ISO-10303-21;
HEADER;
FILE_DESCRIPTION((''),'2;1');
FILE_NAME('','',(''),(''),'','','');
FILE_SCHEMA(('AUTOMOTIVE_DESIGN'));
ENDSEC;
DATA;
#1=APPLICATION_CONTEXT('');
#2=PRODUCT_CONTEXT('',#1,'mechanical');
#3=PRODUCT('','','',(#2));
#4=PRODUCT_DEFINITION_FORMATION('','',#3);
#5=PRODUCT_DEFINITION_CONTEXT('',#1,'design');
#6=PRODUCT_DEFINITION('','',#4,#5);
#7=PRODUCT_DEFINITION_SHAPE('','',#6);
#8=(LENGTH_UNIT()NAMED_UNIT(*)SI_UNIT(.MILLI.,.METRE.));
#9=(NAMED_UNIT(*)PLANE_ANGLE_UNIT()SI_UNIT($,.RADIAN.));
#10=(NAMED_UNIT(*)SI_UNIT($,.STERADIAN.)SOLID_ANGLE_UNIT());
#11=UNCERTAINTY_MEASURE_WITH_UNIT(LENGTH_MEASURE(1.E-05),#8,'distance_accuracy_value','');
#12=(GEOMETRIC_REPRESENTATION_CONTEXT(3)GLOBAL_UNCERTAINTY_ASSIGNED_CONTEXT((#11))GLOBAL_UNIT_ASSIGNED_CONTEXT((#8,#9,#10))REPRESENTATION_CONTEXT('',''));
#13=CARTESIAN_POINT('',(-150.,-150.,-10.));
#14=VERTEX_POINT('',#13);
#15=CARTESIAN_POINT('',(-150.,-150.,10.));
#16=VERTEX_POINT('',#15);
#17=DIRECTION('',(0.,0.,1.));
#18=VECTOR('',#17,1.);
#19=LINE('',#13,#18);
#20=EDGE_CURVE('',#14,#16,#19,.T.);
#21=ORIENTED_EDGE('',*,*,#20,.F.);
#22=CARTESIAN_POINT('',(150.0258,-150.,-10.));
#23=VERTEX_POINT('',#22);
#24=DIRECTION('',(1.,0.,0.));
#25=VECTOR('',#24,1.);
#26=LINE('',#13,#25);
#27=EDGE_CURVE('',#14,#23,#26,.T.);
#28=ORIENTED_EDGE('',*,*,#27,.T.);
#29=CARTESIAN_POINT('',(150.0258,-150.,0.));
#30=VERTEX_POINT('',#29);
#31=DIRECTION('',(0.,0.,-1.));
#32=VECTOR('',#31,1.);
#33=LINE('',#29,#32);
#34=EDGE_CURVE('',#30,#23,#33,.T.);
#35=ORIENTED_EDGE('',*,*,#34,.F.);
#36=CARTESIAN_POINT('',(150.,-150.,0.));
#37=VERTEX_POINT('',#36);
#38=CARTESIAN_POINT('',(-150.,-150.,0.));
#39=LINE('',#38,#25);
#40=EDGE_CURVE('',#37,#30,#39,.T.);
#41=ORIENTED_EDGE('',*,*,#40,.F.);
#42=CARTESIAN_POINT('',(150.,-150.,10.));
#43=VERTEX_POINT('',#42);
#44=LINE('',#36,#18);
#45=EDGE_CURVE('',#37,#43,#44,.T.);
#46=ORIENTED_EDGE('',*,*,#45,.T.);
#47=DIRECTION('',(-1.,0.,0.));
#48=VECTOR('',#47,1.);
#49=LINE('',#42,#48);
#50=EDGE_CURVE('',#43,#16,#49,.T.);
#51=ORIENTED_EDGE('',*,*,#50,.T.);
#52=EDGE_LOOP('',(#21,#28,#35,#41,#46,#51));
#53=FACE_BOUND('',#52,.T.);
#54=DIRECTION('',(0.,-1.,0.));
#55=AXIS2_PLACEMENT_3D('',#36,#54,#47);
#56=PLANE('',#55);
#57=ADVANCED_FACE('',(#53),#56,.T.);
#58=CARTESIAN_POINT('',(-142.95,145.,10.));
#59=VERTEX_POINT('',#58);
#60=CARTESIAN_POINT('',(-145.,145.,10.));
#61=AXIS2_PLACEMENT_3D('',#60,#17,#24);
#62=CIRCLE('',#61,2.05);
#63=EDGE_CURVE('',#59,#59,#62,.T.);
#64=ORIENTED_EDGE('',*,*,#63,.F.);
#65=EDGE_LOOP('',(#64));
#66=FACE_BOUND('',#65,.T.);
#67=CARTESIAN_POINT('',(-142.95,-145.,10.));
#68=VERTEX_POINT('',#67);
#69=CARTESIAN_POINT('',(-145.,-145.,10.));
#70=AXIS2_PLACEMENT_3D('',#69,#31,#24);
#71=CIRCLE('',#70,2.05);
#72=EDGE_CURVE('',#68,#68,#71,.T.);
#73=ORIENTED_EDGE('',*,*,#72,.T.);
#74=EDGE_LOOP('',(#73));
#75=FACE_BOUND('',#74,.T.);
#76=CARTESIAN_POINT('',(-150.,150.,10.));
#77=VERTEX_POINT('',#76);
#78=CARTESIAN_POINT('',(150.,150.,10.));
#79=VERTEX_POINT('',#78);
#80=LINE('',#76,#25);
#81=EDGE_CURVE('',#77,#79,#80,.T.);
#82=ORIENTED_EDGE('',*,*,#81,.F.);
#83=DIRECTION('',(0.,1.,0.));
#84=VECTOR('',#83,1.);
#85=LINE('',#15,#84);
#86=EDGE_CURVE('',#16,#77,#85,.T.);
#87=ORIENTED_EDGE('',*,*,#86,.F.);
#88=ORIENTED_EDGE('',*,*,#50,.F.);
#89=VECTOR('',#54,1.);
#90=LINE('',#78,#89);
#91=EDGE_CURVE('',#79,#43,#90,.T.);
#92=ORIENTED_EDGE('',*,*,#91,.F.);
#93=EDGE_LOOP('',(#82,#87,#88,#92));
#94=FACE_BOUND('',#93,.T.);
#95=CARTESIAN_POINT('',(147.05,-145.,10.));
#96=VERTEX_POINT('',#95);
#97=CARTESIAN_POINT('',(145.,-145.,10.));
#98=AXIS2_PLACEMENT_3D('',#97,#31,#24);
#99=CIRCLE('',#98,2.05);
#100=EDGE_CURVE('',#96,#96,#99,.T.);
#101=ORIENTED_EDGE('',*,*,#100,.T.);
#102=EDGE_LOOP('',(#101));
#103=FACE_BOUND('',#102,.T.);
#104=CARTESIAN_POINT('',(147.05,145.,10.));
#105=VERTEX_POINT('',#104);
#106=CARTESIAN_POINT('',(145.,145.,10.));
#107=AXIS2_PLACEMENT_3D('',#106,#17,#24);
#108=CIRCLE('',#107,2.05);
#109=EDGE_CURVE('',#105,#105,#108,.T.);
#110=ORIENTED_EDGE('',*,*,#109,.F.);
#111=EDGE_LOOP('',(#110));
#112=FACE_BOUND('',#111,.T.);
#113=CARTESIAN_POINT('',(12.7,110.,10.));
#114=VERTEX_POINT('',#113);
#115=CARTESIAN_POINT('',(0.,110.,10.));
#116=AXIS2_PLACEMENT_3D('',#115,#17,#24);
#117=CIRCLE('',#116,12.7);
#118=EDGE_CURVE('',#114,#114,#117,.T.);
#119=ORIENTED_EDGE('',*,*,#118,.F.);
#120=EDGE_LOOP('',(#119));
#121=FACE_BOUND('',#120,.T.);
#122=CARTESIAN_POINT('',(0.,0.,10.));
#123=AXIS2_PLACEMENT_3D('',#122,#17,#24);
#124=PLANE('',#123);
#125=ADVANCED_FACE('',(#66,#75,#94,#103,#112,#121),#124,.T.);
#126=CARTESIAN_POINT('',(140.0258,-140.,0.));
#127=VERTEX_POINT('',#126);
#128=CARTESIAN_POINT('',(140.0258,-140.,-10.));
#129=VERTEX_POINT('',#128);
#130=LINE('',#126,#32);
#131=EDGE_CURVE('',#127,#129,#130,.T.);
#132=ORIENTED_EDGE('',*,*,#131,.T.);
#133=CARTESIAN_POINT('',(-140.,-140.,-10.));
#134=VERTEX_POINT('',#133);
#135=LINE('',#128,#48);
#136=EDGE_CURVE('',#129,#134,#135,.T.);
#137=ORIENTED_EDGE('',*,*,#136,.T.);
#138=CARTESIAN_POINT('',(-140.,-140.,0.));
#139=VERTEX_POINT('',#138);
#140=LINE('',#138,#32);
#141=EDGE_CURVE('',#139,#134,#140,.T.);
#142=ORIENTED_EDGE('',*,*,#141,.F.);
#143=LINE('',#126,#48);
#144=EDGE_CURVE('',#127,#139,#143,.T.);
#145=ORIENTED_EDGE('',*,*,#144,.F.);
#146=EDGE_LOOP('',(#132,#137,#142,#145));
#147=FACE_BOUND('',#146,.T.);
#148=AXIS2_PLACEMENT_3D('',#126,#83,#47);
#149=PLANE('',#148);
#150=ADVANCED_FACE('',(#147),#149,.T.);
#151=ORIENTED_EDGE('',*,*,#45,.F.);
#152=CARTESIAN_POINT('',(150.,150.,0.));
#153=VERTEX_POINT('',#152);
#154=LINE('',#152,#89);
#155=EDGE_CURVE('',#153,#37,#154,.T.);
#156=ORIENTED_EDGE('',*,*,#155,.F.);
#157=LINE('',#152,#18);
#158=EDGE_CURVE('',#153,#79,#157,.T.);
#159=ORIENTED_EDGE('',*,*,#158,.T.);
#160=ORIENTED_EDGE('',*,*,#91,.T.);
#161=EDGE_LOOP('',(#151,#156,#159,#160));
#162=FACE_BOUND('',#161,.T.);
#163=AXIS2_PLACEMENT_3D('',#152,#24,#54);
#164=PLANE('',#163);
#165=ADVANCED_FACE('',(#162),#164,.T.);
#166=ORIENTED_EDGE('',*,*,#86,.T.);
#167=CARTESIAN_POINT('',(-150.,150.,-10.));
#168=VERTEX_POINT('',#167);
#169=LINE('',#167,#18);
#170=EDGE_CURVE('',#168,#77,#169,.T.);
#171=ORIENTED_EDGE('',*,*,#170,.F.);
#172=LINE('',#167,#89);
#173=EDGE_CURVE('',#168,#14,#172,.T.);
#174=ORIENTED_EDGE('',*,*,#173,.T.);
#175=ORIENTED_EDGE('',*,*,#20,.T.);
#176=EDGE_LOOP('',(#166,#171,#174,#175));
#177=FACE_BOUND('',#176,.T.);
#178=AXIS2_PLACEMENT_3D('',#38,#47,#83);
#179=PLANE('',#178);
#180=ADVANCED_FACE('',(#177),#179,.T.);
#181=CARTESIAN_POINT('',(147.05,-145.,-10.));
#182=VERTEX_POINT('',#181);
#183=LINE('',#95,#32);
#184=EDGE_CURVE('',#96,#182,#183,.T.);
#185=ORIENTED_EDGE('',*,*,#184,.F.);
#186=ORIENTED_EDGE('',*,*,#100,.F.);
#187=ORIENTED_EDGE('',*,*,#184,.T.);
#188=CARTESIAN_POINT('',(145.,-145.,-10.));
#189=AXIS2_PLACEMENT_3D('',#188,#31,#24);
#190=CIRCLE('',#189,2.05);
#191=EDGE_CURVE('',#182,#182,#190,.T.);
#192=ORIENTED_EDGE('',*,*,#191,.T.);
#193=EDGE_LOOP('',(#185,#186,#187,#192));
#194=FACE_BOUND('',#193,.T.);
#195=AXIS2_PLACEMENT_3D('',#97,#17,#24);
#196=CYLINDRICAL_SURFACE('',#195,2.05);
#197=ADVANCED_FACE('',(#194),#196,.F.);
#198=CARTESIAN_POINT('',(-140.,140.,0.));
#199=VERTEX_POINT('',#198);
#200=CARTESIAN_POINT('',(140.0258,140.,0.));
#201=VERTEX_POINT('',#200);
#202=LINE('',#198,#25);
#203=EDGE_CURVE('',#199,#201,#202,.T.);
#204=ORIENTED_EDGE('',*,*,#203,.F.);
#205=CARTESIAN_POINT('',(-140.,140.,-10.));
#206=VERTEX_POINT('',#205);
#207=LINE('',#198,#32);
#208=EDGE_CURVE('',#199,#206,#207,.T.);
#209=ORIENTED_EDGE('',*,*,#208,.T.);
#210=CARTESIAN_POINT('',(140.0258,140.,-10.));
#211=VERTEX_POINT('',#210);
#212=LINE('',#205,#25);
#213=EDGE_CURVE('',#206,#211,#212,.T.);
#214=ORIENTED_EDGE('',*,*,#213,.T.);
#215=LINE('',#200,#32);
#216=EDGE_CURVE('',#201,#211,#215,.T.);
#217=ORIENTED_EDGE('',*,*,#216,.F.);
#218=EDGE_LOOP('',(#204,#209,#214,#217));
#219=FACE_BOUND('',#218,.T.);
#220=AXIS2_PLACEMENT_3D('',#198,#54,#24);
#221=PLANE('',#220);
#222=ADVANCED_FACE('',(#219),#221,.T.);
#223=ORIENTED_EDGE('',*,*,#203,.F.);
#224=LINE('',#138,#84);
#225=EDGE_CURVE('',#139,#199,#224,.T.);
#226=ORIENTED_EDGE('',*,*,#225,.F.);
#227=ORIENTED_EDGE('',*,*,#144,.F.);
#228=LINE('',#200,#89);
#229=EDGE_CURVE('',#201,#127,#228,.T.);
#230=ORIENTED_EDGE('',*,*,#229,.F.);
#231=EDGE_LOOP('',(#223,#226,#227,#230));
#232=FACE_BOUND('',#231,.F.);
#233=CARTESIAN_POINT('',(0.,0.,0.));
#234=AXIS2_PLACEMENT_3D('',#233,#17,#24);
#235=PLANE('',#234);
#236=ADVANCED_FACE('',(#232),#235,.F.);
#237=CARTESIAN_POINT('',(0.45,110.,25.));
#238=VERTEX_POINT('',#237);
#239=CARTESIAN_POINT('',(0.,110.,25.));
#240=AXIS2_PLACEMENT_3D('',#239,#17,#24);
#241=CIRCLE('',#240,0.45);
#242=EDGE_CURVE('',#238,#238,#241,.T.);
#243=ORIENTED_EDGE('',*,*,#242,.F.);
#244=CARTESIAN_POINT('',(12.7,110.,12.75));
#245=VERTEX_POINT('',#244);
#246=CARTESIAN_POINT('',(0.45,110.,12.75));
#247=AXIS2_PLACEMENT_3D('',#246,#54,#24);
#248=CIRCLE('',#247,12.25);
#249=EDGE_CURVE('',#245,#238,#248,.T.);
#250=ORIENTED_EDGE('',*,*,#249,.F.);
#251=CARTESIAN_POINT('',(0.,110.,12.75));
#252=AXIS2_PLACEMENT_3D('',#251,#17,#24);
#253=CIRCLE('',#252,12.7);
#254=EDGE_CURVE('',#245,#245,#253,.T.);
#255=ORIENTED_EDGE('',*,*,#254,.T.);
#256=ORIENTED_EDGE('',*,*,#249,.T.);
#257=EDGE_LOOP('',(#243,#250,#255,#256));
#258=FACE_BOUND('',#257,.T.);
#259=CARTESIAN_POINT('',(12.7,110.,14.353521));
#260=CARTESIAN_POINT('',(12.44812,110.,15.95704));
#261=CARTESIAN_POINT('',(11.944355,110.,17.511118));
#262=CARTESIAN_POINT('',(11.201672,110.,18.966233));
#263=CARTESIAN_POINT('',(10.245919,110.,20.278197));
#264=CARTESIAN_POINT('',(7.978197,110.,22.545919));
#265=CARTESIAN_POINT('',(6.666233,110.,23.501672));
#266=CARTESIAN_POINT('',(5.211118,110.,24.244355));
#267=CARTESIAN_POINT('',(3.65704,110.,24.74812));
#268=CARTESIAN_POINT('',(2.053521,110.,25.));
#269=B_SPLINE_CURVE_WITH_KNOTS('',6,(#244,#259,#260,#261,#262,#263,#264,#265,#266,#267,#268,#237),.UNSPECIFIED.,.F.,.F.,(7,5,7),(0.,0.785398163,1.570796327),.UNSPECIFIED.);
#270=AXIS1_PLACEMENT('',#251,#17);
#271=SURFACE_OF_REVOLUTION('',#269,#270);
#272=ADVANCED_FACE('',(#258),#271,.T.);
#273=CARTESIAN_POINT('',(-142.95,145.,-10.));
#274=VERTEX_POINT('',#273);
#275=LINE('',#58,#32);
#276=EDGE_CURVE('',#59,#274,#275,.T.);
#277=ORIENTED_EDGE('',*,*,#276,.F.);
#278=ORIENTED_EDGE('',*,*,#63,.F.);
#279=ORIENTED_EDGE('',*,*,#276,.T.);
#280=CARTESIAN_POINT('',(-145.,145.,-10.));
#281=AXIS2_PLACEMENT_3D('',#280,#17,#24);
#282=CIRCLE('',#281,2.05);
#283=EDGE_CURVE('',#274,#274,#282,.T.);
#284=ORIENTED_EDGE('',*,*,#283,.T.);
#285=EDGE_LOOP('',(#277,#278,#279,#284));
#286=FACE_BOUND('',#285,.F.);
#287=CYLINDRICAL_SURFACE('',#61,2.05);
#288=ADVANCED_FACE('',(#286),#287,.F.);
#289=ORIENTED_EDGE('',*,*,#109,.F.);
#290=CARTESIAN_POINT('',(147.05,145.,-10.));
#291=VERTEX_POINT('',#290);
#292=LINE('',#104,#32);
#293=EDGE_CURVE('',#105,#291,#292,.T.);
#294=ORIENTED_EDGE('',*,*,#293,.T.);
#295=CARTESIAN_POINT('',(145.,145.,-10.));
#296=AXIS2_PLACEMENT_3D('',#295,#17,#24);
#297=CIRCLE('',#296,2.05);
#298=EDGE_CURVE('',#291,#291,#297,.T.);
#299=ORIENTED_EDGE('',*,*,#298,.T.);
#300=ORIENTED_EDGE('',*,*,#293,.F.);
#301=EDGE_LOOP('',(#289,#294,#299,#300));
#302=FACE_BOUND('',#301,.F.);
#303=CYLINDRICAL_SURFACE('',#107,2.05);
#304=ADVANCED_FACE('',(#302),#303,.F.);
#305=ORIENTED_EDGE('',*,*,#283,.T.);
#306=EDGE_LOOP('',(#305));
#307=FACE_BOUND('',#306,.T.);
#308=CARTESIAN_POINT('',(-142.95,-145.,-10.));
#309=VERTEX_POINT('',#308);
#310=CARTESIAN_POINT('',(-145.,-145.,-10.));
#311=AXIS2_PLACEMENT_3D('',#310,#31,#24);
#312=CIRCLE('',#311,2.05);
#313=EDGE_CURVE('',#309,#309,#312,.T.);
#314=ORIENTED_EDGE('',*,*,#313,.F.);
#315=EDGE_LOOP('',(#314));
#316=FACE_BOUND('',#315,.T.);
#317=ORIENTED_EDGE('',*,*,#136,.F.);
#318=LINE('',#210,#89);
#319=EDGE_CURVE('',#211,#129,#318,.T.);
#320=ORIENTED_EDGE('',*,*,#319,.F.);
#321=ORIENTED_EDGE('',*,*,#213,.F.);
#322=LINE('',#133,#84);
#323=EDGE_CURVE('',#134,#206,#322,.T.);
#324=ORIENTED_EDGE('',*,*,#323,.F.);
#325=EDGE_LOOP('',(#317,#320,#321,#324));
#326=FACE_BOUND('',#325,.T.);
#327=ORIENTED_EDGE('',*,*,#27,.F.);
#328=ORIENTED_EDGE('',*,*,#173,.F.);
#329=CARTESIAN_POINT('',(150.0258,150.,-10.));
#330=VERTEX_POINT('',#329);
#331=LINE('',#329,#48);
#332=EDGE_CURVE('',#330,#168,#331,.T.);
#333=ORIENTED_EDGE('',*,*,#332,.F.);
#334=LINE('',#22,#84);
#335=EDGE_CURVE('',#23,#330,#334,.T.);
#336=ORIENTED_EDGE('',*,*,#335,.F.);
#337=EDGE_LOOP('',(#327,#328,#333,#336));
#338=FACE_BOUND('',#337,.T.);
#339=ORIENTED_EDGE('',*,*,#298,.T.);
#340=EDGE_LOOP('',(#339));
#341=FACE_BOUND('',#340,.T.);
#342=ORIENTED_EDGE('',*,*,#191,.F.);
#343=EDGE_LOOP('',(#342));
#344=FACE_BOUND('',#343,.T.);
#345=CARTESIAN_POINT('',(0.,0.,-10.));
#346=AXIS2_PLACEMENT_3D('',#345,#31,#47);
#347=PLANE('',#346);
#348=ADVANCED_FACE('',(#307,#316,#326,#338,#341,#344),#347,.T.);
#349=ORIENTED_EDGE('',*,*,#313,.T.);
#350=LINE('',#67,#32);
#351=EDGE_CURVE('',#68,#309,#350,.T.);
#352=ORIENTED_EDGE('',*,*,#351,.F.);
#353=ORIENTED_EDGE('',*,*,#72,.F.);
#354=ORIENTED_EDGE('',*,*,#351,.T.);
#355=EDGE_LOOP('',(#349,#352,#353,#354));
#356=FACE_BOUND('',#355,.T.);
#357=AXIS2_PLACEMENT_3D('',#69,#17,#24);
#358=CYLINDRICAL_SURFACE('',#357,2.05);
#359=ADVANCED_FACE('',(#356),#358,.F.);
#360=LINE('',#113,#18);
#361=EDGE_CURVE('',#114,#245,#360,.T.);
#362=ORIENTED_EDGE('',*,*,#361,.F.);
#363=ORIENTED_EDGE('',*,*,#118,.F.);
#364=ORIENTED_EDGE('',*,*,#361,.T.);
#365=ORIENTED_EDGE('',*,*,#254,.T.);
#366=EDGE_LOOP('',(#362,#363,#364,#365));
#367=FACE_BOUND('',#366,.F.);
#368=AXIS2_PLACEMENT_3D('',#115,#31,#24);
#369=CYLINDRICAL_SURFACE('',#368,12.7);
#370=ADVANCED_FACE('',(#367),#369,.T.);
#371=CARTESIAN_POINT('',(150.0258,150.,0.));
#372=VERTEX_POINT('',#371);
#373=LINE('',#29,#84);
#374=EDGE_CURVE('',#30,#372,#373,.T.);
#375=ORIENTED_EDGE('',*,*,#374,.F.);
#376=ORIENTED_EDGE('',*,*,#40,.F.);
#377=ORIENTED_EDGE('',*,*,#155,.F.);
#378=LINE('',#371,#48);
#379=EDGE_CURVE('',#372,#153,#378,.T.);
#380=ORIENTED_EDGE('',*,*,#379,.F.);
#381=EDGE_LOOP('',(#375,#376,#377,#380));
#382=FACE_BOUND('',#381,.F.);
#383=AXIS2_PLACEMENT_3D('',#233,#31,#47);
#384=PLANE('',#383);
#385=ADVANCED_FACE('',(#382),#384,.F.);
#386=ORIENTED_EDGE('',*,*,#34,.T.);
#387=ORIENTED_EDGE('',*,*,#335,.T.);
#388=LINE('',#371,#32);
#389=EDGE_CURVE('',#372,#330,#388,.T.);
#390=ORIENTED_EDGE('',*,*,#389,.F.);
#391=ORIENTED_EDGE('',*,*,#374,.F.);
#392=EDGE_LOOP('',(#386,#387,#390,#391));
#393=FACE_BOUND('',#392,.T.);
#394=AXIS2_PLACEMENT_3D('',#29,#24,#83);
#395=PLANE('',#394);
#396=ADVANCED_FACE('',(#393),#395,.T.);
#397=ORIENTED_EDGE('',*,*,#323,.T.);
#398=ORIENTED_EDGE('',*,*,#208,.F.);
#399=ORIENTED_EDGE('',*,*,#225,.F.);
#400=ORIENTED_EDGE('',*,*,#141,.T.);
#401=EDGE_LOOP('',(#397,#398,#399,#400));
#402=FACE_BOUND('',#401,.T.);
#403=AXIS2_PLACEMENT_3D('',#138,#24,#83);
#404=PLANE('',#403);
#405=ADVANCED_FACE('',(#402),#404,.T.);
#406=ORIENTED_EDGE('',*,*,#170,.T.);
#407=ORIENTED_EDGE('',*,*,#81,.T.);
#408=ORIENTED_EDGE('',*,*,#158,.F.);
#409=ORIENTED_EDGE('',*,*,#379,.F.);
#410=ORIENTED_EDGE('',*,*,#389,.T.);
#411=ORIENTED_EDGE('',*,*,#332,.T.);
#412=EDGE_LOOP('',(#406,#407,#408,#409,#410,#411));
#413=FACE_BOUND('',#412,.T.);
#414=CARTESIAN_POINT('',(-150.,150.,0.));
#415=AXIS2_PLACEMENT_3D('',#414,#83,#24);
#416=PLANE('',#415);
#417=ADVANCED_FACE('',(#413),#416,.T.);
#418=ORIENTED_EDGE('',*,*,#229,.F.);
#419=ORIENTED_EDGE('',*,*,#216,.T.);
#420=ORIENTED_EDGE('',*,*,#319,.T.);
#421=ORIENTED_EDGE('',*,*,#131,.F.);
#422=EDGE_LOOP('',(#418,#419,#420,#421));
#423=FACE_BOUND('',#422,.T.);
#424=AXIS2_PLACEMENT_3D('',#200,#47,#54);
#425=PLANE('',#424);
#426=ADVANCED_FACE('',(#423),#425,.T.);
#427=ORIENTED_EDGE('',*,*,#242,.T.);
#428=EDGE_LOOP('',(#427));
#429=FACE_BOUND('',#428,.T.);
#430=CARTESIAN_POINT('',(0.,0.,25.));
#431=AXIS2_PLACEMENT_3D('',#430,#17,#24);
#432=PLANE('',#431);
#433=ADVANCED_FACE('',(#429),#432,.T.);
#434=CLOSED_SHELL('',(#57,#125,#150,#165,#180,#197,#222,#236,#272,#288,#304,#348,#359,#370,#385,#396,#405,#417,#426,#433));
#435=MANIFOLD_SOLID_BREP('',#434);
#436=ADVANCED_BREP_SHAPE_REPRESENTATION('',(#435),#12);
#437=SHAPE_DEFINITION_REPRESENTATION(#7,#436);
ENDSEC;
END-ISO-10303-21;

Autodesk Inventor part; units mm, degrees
ref_plane "YZ Plane" through (0, 0, 0) normal (1, 0, 0) x (0, 1, 0)
ref_plane "XZ Plane" through (0, 0, 0) normal (0, 1, 0) x (-1, 0, 0)
ref_plane "XY Plane" through (0, 0, 0) normal (0, 0, 1) x (1, 0, 0)
sketch "Sketch1" plane through (0, 0, 0) normal (0, 0, 1) x (1, 0, 0)
  line L0 (-150, 150) -> (150, 150)
  line L1 (150, 150) -> (150, -150)
  line L2 (150, -150) -> (-150, -150)
  line L3 (-150, -150) -> (-150, 150)
  point P0 (0, 0)
  point P1 (0, 150)
  point P2 (150, 0)
  dimension "d0" = 300
  dimension "d1" = 300
extrude "Extrusion1" add sketch "Sketch1" along normal blind 10
sketch "Sketch2" plane through (0, 0, 0) normal (0, 0, -1) x (-1, 0, 0)
  line L0 (150, -150) -> (-150.0258, -150)
  line L1 (-150.0258, -150) -> (-150.0258, 150)
  line L2 (-150.0258, 150) -> (150, 150)
  line L3 (150, 150) -> (150, -150)
  line L4 (-140.0258, -140) -> (140, -140)
  line L5 (140, -140) -> (140, 140)
  line L6 (140, 140) -> (-140.0258, 140)
  line L7 (-140.0258, 140) -> (-140.0258, -140)
  point P0 (0, 0)
  dimension "d4" = 10
extrude "Extrusion2" add sketch "Sketch2" along normal blind 10
sketch "Sketch3" plane through (0, 0, 10) normal (0, 0, 1) x (1, 0, 0)
  circle A0 centre (-145, 145) radius 2.05
  circle A1 centre (145, 145) radius 2.05
  line L0 (-145, 145) -> (145, 145) construction
  line L1 (150, 150) -> (-150, 150) construction
  line L2 (-150, 150) -> (-150, -150) construction
  point P0 (0, 0)
  point P1 (0, 145)
  point P2 (0, 150)
  dimension "d7" = 5
  dimension "d8" = 4.1
  dimension "d9" = 4.1
  dimension "d10" = 5
extrude "Extrusion3" cut sketch "Sketch3" against normal up to surface (20 mm away)
mirror "Mirror1" about plane through (0, 0, 0) normal (0, 1, 0) of "Extrusion3"
sketch "Sketch4" plane through (0, 0, 10) normal (0, 0, 1) x (1, 0, 0)
  circle A0 centre (0, 110) radius 12.7
  point P0 (0, 0)
  dimension "d13" = 25.4
  dimension "d17" = 110
extrude "Extrusion4" add sketch "Sketch4" along normal blind 15
fillet "Fillet1" radius 12.25 1 edges at (-12.7, 110, 25)
properties part number "locomotion top"
